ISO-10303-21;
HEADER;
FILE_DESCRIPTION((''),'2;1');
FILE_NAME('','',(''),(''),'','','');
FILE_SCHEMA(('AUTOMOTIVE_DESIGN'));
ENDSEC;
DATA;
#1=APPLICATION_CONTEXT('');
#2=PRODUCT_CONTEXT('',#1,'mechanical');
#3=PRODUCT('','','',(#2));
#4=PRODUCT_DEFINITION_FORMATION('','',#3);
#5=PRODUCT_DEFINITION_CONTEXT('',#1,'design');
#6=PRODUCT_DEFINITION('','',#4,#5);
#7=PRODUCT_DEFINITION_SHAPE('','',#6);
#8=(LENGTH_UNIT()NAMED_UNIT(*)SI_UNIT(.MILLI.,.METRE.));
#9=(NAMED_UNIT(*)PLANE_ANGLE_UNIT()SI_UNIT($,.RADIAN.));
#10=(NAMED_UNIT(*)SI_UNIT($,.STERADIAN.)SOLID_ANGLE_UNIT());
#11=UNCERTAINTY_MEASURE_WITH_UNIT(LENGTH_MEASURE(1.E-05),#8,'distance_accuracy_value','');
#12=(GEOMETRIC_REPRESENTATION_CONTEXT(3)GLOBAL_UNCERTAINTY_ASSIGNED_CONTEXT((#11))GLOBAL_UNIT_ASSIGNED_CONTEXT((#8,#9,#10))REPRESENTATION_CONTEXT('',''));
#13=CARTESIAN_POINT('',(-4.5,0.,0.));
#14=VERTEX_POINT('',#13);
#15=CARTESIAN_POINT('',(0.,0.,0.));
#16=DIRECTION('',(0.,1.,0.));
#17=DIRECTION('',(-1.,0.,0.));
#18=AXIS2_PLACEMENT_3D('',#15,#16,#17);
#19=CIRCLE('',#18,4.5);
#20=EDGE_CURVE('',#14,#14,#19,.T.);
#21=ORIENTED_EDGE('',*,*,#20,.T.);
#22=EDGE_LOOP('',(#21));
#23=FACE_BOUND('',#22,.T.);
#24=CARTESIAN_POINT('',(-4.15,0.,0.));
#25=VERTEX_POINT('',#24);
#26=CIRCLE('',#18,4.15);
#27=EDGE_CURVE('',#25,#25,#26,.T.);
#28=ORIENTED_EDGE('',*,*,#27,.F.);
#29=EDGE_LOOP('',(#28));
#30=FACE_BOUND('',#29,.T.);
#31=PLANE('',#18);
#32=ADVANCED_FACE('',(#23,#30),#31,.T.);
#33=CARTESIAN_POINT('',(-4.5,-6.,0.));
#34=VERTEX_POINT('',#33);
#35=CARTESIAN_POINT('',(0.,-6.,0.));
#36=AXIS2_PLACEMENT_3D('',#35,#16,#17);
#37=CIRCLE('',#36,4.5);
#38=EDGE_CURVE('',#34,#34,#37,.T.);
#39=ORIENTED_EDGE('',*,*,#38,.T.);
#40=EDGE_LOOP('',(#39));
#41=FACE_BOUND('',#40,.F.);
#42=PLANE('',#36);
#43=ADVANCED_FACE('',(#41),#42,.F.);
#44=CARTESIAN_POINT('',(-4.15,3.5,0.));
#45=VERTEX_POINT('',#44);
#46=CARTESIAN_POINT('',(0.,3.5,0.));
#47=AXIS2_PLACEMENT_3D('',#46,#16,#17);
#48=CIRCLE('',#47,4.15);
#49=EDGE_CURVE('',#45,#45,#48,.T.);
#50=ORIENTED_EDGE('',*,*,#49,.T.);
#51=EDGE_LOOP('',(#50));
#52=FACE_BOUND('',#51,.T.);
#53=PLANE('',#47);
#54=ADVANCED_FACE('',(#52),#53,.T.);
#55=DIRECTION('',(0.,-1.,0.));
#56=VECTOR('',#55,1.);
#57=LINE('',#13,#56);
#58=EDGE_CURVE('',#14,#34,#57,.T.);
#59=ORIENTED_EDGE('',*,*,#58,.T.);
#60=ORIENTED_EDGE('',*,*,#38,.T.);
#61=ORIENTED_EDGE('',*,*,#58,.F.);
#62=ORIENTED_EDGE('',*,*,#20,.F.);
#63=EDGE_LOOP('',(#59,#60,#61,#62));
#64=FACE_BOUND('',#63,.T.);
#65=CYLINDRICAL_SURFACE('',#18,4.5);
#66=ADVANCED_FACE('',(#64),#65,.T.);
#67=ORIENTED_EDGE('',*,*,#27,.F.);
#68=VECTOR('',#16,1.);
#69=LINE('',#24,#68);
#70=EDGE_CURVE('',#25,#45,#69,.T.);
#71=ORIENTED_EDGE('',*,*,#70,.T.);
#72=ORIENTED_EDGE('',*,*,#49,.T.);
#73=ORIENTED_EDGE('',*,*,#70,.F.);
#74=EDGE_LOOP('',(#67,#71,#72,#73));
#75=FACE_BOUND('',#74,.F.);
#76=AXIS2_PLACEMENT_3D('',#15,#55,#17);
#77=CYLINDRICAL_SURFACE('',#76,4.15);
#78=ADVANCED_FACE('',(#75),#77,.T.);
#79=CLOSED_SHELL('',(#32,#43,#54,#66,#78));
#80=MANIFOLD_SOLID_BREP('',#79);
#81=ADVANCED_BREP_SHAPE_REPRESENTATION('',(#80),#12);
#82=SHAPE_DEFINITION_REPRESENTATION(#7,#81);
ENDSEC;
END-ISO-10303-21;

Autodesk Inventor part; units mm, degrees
ref_plane "YZ Plane" through (0, 0, 0) normal (1, 0, 0) x (0, 1, 0)
ref_plane "XZ Plane" through (0, 0, 0) normal (0, 1, 0) x (-1, 0, 0)
ref_plane "XY Plane" through (0, 0, 0) normal (0, 0, 1) x (1, 0, 0)
sketch "Sketch1" plane through (0, 0, 0) normal (0, 1, 0) x (-1, 0, 0)
  circle A0 centre (0, 0) radius 4.5
  circle A1 centre (0, 0) radius 4.15
  dimension "d0" = 9
  dimension "d1" = 8.3
extrude "Extrusion1" add sketch "Sketch1" along normal blind 3.5 contours A1
extrude "Extrusion2" add sketch "Sketch1" against normal blind 6 contours A0 | A1
properties part number "buttonPlunger"
